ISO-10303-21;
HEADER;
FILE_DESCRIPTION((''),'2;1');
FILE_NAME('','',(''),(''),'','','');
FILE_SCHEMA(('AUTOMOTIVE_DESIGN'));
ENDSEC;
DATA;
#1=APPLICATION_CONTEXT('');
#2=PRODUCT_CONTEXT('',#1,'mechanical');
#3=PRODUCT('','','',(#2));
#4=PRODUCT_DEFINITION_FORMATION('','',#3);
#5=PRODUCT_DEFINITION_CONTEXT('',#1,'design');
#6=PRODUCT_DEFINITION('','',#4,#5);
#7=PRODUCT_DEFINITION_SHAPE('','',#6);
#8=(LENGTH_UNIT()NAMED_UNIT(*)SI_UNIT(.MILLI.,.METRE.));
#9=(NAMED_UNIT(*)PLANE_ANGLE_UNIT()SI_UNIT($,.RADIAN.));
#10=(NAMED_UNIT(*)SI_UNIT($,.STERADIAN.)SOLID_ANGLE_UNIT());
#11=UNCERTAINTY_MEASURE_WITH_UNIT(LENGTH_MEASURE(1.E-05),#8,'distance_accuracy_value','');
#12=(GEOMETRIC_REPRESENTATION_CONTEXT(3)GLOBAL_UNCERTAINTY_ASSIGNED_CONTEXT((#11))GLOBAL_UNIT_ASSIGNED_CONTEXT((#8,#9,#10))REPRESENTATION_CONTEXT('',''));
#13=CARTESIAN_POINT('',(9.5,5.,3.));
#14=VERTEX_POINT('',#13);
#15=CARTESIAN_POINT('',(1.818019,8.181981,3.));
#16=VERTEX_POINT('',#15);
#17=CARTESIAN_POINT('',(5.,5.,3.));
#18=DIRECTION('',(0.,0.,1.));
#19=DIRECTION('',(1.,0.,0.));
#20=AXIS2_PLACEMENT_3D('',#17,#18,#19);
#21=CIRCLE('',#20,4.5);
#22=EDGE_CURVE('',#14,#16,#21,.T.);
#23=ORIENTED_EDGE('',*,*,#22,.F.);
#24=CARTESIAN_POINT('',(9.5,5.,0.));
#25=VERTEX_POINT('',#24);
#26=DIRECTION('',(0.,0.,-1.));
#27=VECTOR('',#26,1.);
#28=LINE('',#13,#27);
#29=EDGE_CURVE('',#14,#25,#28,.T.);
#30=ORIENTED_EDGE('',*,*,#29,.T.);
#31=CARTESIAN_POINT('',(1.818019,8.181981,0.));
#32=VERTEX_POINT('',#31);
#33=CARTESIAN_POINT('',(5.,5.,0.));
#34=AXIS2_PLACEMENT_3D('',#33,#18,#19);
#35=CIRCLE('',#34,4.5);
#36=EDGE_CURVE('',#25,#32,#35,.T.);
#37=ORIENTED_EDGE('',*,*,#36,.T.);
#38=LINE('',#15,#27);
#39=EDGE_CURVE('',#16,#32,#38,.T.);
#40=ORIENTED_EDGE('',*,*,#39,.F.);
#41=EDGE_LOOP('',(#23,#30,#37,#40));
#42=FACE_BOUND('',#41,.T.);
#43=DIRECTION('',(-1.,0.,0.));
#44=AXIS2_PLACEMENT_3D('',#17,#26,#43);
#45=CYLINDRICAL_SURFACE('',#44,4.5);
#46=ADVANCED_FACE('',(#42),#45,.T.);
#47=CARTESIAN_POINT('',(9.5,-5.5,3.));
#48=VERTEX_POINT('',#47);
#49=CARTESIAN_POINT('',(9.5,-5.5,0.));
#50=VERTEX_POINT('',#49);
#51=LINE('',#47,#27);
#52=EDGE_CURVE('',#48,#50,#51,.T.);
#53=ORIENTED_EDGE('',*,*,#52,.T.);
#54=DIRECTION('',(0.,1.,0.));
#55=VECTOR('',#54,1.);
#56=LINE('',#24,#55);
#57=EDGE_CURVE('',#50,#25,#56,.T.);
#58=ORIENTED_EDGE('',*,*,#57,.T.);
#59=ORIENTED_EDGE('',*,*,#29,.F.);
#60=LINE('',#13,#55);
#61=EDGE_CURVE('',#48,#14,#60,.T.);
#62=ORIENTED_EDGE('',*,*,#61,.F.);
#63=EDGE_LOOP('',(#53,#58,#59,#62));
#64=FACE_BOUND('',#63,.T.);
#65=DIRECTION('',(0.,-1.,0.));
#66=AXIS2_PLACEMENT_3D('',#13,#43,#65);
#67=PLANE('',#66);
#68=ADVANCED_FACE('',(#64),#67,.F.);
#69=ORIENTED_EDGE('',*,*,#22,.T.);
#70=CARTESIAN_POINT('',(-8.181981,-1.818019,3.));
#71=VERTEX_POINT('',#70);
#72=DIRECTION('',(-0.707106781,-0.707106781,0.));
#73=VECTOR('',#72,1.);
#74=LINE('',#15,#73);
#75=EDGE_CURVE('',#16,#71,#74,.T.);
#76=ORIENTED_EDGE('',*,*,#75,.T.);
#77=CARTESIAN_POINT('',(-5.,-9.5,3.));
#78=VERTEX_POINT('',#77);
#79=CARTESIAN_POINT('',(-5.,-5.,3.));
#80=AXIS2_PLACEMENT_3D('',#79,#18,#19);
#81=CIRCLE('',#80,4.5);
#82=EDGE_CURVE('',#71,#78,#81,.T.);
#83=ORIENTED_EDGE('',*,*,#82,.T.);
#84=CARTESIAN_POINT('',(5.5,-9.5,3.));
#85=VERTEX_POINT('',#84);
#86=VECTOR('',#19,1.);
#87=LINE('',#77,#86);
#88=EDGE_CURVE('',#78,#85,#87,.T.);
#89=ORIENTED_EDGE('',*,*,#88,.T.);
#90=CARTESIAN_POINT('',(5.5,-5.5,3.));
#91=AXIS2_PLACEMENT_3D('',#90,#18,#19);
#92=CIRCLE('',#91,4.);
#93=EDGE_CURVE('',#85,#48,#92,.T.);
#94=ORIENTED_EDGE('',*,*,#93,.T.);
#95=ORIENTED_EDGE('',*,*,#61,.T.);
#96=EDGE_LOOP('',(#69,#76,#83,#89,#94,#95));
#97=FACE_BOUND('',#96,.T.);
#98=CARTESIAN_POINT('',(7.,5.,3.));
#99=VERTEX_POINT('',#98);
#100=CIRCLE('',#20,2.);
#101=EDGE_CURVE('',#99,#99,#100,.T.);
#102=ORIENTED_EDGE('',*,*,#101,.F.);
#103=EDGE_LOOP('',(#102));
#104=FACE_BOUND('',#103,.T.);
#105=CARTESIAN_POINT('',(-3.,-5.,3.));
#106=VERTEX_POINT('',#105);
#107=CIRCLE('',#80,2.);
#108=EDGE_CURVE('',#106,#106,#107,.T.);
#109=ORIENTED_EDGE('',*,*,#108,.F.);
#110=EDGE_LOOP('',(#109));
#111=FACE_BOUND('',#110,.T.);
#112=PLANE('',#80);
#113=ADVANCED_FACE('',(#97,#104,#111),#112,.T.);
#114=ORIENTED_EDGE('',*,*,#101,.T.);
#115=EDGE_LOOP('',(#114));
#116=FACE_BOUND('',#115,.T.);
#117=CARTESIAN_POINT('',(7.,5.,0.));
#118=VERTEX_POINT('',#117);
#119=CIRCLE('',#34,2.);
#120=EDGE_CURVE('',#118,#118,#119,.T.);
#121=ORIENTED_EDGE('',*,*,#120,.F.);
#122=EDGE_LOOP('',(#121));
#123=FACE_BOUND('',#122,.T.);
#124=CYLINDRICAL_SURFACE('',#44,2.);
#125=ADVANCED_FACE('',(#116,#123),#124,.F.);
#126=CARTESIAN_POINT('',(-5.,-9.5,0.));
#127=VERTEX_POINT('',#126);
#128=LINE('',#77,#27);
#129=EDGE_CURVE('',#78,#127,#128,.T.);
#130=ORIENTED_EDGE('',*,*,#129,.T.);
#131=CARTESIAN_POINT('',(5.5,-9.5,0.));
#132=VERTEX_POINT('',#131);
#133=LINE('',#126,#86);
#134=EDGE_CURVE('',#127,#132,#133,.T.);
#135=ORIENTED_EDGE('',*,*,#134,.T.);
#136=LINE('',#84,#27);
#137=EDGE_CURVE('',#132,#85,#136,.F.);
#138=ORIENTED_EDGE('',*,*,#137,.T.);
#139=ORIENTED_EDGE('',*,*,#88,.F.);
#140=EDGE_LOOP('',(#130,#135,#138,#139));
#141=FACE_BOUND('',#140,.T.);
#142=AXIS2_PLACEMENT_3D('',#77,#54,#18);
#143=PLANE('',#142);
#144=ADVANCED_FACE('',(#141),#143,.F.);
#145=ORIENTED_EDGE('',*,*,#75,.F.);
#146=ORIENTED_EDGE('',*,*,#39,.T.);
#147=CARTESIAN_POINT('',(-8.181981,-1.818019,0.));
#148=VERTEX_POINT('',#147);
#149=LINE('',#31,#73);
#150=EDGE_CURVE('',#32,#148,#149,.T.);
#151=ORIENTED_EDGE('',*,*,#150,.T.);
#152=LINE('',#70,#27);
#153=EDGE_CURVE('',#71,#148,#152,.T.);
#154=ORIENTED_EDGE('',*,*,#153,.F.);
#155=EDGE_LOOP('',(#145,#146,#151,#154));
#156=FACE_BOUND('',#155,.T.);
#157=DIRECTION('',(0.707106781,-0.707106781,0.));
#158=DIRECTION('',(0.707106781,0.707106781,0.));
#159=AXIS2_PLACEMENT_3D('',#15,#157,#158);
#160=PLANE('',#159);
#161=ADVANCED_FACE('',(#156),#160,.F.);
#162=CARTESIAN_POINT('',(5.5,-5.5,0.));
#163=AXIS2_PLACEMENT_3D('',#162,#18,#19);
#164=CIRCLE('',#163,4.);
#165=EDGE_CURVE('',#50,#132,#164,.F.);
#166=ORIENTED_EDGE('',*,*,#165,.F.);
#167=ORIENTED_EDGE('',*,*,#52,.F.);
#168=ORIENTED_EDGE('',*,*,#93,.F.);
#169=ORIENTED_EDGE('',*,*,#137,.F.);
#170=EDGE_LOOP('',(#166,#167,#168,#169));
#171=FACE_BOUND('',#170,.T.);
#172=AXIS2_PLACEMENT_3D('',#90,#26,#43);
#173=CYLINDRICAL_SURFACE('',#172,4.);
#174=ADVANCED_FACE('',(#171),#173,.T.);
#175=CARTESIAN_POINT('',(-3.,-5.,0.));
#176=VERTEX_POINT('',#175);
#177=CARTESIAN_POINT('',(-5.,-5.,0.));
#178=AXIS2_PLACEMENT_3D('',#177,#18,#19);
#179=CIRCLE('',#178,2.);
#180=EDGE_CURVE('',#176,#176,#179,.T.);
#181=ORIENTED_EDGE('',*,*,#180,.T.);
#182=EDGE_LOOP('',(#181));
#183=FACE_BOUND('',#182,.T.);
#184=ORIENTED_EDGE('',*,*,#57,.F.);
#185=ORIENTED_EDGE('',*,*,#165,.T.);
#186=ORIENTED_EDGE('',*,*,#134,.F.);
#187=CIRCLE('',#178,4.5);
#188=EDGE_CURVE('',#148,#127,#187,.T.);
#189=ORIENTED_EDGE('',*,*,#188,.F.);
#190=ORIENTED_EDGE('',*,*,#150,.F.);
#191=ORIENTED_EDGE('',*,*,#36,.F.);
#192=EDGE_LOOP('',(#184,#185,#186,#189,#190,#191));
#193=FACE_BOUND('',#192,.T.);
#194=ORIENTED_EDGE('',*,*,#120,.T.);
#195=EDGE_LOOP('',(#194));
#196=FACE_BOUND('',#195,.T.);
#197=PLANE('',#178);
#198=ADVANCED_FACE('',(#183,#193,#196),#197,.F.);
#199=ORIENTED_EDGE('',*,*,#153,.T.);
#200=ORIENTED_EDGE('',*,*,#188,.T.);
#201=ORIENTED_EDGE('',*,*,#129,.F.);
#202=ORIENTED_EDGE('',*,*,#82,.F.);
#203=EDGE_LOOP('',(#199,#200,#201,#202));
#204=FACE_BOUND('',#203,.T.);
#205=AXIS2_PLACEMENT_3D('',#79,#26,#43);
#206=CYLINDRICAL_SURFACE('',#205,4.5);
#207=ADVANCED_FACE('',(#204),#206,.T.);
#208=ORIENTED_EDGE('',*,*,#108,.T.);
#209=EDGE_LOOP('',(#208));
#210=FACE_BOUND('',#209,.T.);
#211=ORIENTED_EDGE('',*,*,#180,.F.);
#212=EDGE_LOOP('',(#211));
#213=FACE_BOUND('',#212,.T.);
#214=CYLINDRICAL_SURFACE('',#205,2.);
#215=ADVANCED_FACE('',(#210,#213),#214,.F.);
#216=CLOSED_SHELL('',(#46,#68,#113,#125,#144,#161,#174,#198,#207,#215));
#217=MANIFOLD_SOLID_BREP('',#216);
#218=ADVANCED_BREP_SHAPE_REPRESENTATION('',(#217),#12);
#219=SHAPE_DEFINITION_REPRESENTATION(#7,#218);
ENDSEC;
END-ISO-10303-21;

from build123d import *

# Parameters (mm, degrees)
ESQUISSE1_R        = 2
BOSS_EXTRU_1_DEPTH = 3
CONG_1_R           = 4


with BuildPart() as part:
    # Esquisse1 → Boss.-Extru.1 (new body)
    with BuildSketch(Plane.XY):
        with BuildLine():
            Line((-5, -9.5), (9.5, -9.5))
            Line((9.5, -9.5), (9.5, 5))
            ThreePointArc((9.5, 5), (6.722075446, 9.157457896), (1.818019485, 8.181980515))
            Line((1.818019485, 8.181980515), (-8.181980515, -1.818019485))
            ThreePointArc((-8.181980515, -1.818019485), (-9.157457896, -6.722075446), (-5, -9.5))
        make_face()
        with Locations((5, 5)):
            Circle(ESQUISSE1_R, mode=Mode.SUBTRACT)
        with Locations((-5, -5)):
            Circle(ESQUISSE1_R, mode=Mode.SUBTRACT)
    extrude(amount=BOSS_EXTRU_1_DEPTH)

    # Congé1
    cong_1_edges = [part.edges().sort_by_distance(p)[0] for p in [
        (9.5, -9.5, 1.5),
    ]]
    fillet(cong_1_edges, radius=CONG_1_R)


solid = part.part
